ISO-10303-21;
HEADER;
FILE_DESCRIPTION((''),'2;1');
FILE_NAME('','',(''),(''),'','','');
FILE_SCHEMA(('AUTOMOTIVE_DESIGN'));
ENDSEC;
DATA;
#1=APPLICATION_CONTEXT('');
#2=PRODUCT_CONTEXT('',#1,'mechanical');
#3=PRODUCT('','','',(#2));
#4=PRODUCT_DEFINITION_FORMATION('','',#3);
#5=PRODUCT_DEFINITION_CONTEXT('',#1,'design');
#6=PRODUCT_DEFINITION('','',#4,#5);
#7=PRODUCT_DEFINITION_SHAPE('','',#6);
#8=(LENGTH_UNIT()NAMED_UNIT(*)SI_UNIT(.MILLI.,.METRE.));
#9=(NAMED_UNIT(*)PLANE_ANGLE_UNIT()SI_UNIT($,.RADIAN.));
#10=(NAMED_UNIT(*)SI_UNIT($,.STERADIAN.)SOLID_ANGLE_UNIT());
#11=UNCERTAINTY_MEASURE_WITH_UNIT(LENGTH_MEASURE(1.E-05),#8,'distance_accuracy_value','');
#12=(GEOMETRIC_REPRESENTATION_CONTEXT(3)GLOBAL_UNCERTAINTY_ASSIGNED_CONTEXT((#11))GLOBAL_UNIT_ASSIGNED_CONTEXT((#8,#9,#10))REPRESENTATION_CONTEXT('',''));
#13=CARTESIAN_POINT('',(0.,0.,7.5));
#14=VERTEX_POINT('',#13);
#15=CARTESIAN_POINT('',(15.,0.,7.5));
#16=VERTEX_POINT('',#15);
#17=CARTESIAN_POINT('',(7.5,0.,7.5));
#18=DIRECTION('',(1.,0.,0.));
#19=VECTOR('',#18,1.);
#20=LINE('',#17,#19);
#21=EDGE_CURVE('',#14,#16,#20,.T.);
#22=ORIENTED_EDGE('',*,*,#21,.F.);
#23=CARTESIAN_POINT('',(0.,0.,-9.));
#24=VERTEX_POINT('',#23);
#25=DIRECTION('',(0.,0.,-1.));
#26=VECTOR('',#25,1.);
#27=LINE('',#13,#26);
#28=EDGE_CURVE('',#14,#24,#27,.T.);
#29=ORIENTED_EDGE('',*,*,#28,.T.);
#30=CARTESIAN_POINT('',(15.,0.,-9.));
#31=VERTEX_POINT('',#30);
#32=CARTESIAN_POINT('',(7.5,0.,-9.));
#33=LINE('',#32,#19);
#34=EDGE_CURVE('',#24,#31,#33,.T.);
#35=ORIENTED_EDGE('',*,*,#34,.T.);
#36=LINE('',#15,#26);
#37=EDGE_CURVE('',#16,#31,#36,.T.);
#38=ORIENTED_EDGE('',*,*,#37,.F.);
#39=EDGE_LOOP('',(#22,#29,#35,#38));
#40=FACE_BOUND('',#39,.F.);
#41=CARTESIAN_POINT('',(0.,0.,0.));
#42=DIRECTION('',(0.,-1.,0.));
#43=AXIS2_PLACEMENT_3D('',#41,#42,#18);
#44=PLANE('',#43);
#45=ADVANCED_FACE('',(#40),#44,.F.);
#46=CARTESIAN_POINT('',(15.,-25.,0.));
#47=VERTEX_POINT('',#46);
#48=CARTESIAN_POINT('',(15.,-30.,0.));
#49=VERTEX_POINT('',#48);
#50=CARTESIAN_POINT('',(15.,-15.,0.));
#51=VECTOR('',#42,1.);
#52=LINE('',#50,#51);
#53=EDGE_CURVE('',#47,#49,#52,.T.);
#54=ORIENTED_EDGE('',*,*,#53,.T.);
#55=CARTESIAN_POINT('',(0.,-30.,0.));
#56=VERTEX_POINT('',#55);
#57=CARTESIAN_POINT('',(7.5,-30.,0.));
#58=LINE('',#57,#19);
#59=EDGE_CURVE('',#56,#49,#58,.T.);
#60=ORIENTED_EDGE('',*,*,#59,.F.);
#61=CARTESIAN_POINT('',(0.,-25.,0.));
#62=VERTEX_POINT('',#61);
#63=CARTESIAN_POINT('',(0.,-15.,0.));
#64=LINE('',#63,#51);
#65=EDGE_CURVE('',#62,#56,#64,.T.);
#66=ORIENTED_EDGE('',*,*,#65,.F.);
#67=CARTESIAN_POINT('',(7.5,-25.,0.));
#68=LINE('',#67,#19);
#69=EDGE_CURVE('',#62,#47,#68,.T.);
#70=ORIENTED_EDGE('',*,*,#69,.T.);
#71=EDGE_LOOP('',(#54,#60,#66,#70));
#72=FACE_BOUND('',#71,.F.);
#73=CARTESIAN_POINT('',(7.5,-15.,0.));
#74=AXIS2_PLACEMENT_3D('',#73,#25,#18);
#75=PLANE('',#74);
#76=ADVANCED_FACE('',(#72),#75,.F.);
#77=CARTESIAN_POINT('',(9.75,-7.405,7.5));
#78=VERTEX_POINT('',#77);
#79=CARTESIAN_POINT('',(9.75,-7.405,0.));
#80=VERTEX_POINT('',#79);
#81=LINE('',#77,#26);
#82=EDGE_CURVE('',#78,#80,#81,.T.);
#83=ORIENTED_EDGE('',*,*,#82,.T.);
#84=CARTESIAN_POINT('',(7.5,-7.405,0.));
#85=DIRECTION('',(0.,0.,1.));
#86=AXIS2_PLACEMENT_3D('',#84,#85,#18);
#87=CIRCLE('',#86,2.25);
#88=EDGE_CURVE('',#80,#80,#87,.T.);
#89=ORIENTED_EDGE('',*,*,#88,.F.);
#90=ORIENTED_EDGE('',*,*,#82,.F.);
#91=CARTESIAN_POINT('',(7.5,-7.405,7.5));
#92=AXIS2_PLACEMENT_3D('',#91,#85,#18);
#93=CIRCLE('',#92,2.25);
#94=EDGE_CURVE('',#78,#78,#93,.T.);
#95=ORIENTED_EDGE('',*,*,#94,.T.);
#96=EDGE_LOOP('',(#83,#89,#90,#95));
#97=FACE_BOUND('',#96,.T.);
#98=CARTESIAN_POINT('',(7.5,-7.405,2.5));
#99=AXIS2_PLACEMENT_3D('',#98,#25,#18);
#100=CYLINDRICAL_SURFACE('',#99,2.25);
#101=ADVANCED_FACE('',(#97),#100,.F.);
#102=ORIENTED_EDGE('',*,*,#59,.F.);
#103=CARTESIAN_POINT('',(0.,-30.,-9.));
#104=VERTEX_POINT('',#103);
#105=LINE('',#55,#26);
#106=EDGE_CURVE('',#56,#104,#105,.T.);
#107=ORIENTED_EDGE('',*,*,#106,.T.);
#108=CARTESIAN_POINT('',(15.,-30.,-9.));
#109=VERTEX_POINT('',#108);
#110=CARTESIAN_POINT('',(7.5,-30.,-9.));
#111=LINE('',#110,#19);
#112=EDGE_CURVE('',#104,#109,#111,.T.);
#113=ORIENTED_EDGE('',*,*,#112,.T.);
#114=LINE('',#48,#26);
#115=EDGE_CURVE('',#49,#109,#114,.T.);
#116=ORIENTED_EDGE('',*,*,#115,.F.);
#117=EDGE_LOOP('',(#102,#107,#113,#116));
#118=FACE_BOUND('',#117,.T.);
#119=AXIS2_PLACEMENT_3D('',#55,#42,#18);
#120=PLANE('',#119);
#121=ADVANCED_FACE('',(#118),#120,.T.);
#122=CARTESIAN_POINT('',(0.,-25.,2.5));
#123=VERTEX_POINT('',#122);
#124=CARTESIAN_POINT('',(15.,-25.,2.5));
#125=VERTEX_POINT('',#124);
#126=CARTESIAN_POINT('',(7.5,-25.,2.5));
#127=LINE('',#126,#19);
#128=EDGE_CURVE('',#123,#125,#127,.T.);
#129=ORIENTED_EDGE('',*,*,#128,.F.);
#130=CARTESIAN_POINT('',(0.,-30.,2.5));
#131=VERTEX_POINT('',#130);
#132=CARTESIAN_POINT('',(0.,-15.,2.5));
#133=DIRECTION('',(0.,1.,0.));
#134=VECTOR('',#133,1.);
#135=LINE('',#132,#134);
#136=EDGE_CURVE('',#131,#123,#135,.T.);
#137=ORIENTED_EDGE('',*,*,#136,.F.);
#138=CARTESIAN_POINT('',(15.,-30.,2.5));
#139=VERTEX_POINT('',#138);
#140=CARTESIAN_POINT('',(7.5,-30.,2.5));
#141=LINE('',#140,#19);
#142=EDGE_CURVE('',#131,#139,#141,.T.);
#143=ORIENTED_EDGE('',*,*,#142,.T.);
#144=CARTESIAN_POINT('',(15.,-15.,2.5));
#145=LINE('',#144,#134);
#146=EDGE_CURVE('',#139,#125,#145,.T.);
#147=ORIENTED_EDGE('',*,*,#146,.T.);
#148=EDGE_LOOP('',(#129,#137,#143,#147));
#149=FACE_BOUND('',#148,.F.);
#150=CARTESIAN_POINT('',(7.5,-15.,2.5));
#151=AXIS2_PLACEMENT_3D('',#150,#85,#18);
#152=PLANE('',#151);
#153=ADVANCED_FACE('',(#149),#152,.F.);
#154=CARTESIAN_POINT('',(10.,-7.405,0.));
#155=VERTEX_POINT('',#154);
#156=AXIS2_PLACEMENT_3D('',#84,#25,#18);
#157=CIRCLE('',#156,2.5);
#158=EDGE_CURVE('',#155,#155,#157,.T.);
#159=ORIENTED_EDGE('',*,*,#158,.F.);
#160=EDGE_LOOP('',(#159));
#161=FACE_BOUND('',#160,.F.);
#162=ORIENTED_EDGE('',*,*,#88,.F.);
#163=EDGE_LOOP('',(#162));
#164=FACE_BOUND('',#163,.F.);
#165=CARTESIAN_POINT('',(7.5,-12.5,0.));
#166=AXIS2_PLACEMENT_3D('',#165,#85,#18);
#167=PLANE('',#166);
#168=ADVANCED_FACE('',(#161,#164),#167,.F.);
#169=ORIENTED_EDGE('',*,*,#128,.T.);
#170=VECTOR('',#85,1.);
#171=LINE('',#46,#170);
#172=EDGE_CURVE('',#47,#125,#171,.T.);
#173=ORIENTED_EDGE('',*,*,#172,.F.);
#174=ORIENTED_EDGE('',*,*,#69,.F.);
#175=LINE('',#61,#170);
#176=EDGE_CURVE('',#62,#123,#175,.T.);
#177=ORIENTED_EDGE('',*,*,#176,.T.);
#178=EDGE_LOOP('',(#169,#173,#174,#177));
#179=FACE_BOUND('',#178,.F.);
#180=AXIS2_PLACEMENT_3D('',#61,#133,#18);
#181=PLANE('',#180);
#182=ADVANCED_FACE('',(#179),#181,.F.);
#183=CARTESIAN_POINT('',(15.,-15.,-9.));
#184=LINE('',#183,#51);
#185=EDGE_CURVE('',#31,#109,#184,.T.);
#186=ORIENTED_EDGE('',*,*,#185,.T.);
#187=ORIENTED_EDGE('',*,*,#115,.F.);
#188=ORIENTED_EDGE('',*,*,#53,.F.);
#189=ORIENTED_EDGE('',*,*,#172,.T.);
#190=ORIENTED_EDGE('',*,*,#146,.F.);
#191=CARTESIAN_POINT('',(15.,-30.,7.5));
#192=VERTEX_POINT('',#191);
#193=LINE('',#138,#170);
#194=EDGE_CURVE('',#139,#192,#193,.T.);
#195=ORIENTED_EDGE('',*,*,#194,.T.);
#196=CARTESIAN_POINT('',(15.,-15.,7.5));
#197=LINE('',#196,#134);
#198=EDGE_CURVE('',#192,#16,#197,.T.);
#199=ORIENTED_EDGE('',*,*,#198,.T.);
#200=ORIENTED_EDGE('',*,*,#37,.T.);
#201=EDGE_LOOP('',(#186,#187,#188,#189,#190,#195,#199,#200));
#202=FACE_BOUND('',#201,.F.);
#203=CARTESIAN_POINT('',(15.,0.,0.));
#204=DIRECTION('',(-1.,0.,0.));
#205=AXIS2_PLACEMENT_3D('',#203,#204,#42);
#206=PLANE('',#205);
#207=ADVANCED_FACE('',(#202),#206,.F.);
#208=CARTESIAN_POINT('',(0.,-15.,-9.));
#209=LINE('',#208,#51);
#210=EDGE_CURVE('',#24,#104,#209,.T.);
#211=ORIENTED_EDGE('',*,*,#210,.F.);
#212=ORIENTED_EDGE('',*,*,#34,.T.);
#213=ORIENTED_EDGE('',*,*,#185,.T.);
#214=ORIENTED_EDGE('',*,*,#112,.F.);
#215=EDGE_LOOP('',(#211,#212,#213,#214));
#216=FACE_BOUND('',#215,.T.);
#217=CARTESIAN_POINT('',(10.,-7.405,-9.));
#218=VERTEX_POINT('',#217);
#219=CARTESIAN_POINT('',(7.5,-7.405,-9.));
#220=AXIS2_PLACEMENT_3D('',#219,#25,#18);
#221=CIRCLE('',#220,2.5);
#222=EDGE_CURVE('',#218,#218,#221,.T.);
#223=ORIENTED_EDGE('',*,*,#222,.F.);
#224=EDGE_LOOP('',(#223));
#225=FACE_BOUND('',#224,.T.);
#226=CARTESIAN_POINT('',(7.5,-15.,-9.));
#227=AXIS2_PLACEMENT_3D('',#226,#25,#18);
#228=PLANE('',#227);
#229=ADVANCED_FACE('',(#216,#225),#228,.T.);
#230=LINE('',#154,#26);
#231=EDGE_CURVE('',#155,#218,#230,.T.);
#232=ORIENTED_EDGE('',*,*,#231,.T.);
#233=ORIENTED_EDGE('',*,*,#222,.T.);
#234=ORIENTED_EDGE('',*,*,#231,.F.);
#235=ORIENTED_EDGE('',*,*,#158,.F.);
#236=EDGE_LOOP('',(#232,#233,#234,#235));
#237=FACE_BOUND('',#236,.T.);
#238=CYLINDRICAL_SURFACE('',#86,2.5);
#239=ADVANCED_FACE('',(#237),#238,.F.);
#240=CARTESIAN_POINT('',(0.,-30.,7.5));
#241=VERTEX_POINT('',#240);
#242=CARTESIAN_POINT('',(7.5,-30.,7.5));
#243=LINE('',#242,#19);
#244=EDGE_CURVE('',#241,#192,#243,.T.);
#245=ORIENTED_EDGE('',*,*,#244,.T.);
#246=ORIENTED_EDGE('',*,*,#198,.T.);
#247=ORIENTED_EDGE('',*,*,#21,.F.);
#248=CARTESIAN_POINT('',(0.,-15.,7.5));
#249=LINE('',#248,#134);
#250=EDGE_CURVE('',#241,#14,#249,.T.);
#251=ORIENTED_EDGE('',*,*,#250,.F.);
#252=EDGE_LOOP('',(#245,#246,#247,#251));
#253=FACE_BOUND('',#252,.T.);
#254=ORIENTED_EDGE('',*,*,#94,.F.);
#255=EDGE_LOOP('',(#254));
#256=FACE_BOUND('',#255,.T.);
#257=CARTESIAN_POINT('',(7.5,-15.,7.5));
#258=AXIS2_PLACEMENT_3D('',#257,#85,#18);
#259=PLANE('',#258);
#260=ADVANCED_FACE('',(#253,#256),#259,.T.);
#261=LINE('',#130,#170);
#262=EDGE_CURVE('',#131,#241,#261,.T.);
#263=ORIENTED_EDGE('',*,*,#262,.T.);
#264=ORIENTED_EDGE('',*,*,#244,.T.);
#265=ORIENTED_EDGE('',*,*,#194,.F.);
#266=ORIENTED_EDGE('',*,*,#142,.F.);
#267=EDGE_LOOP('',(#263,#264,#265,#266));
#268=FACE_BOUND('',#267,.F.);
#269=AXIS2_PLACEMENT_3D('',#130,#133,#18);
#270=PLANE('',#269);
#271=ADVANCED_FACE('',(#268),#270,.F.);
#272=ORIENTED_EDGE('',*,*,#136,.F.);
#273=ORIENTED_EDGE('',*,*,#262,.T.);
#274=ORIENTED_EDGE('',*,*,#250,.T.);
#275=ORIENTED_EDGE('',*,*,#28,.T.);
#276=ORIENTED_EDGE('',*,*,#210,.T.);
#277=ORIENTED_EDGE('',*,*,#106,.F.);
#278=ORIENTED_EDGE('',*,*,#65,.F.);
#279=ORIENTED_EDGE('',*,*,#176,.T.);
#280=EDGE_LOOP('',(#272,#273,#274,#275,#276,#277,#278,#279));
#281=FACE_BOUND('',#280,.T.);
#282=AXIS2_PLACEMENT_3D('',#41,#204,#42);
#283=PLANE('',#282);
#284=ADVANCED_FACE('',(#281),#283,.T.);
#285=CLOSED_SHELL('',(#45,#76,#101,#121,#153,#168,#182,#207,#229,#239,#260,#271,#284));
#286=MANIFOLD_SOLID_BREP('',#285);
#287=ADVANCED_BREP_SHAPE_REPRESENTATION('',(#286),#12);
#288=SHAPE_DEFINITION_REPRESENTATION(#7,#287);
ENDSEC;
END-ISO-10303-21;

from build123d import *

# Parameters (mm, degrees)
F0_W     = 15
F0_H     = 25
F0_R     = 2.25
F1_DEPTH = 2.5
F2_W     = 15
F2_H     = 30
F2_R     = 2.25
F3_DEPTH = 5
F4_W     = 15
F4_H     = 30
F4_R     = 2.5
F5_DEPTH = 9


with BuildPart() as f1:
    # F0 (on Top) → F1 (new body)
    with BuildSketch(Plane.XY):
        with Locations((7.5, -12.5)):
            Rectangle(F0_W, F0_H)
        with Locations((7.5, -7.405)):
            Circle(F0_R, mode=Mode.SUBTRACT)
    extrude(amount=F1_DEPTH)

    # F2 (on face) → F3 (join)
    with BuildSketch(Plane.XY.offset(2.5)):
        with Locations((7.5, -15)):
            Rectangle(F2_W, F2_H)
        with Locations((7.5, -7.405)):
            Circle(F2_R, mode=Mode.SUBTRACT)
    extrude(amount=F3_DEPTH)

    # F4 (on face) → F5 (join)
    with BuildSketch(Plane(origin=(0, 0, 0), x_dir=(1, 0, 0), z_dir=(0, 0, -1))):
        with Locations((7.5, 15)):
            Rectangle(F4_W, F4_H)
        with Locations((7.5, 7.405)):
            Circle(F4_R, mode=Mode.SUBTRACT)
    extrude(amount=F5_DEPTH)


solid = f1.part
